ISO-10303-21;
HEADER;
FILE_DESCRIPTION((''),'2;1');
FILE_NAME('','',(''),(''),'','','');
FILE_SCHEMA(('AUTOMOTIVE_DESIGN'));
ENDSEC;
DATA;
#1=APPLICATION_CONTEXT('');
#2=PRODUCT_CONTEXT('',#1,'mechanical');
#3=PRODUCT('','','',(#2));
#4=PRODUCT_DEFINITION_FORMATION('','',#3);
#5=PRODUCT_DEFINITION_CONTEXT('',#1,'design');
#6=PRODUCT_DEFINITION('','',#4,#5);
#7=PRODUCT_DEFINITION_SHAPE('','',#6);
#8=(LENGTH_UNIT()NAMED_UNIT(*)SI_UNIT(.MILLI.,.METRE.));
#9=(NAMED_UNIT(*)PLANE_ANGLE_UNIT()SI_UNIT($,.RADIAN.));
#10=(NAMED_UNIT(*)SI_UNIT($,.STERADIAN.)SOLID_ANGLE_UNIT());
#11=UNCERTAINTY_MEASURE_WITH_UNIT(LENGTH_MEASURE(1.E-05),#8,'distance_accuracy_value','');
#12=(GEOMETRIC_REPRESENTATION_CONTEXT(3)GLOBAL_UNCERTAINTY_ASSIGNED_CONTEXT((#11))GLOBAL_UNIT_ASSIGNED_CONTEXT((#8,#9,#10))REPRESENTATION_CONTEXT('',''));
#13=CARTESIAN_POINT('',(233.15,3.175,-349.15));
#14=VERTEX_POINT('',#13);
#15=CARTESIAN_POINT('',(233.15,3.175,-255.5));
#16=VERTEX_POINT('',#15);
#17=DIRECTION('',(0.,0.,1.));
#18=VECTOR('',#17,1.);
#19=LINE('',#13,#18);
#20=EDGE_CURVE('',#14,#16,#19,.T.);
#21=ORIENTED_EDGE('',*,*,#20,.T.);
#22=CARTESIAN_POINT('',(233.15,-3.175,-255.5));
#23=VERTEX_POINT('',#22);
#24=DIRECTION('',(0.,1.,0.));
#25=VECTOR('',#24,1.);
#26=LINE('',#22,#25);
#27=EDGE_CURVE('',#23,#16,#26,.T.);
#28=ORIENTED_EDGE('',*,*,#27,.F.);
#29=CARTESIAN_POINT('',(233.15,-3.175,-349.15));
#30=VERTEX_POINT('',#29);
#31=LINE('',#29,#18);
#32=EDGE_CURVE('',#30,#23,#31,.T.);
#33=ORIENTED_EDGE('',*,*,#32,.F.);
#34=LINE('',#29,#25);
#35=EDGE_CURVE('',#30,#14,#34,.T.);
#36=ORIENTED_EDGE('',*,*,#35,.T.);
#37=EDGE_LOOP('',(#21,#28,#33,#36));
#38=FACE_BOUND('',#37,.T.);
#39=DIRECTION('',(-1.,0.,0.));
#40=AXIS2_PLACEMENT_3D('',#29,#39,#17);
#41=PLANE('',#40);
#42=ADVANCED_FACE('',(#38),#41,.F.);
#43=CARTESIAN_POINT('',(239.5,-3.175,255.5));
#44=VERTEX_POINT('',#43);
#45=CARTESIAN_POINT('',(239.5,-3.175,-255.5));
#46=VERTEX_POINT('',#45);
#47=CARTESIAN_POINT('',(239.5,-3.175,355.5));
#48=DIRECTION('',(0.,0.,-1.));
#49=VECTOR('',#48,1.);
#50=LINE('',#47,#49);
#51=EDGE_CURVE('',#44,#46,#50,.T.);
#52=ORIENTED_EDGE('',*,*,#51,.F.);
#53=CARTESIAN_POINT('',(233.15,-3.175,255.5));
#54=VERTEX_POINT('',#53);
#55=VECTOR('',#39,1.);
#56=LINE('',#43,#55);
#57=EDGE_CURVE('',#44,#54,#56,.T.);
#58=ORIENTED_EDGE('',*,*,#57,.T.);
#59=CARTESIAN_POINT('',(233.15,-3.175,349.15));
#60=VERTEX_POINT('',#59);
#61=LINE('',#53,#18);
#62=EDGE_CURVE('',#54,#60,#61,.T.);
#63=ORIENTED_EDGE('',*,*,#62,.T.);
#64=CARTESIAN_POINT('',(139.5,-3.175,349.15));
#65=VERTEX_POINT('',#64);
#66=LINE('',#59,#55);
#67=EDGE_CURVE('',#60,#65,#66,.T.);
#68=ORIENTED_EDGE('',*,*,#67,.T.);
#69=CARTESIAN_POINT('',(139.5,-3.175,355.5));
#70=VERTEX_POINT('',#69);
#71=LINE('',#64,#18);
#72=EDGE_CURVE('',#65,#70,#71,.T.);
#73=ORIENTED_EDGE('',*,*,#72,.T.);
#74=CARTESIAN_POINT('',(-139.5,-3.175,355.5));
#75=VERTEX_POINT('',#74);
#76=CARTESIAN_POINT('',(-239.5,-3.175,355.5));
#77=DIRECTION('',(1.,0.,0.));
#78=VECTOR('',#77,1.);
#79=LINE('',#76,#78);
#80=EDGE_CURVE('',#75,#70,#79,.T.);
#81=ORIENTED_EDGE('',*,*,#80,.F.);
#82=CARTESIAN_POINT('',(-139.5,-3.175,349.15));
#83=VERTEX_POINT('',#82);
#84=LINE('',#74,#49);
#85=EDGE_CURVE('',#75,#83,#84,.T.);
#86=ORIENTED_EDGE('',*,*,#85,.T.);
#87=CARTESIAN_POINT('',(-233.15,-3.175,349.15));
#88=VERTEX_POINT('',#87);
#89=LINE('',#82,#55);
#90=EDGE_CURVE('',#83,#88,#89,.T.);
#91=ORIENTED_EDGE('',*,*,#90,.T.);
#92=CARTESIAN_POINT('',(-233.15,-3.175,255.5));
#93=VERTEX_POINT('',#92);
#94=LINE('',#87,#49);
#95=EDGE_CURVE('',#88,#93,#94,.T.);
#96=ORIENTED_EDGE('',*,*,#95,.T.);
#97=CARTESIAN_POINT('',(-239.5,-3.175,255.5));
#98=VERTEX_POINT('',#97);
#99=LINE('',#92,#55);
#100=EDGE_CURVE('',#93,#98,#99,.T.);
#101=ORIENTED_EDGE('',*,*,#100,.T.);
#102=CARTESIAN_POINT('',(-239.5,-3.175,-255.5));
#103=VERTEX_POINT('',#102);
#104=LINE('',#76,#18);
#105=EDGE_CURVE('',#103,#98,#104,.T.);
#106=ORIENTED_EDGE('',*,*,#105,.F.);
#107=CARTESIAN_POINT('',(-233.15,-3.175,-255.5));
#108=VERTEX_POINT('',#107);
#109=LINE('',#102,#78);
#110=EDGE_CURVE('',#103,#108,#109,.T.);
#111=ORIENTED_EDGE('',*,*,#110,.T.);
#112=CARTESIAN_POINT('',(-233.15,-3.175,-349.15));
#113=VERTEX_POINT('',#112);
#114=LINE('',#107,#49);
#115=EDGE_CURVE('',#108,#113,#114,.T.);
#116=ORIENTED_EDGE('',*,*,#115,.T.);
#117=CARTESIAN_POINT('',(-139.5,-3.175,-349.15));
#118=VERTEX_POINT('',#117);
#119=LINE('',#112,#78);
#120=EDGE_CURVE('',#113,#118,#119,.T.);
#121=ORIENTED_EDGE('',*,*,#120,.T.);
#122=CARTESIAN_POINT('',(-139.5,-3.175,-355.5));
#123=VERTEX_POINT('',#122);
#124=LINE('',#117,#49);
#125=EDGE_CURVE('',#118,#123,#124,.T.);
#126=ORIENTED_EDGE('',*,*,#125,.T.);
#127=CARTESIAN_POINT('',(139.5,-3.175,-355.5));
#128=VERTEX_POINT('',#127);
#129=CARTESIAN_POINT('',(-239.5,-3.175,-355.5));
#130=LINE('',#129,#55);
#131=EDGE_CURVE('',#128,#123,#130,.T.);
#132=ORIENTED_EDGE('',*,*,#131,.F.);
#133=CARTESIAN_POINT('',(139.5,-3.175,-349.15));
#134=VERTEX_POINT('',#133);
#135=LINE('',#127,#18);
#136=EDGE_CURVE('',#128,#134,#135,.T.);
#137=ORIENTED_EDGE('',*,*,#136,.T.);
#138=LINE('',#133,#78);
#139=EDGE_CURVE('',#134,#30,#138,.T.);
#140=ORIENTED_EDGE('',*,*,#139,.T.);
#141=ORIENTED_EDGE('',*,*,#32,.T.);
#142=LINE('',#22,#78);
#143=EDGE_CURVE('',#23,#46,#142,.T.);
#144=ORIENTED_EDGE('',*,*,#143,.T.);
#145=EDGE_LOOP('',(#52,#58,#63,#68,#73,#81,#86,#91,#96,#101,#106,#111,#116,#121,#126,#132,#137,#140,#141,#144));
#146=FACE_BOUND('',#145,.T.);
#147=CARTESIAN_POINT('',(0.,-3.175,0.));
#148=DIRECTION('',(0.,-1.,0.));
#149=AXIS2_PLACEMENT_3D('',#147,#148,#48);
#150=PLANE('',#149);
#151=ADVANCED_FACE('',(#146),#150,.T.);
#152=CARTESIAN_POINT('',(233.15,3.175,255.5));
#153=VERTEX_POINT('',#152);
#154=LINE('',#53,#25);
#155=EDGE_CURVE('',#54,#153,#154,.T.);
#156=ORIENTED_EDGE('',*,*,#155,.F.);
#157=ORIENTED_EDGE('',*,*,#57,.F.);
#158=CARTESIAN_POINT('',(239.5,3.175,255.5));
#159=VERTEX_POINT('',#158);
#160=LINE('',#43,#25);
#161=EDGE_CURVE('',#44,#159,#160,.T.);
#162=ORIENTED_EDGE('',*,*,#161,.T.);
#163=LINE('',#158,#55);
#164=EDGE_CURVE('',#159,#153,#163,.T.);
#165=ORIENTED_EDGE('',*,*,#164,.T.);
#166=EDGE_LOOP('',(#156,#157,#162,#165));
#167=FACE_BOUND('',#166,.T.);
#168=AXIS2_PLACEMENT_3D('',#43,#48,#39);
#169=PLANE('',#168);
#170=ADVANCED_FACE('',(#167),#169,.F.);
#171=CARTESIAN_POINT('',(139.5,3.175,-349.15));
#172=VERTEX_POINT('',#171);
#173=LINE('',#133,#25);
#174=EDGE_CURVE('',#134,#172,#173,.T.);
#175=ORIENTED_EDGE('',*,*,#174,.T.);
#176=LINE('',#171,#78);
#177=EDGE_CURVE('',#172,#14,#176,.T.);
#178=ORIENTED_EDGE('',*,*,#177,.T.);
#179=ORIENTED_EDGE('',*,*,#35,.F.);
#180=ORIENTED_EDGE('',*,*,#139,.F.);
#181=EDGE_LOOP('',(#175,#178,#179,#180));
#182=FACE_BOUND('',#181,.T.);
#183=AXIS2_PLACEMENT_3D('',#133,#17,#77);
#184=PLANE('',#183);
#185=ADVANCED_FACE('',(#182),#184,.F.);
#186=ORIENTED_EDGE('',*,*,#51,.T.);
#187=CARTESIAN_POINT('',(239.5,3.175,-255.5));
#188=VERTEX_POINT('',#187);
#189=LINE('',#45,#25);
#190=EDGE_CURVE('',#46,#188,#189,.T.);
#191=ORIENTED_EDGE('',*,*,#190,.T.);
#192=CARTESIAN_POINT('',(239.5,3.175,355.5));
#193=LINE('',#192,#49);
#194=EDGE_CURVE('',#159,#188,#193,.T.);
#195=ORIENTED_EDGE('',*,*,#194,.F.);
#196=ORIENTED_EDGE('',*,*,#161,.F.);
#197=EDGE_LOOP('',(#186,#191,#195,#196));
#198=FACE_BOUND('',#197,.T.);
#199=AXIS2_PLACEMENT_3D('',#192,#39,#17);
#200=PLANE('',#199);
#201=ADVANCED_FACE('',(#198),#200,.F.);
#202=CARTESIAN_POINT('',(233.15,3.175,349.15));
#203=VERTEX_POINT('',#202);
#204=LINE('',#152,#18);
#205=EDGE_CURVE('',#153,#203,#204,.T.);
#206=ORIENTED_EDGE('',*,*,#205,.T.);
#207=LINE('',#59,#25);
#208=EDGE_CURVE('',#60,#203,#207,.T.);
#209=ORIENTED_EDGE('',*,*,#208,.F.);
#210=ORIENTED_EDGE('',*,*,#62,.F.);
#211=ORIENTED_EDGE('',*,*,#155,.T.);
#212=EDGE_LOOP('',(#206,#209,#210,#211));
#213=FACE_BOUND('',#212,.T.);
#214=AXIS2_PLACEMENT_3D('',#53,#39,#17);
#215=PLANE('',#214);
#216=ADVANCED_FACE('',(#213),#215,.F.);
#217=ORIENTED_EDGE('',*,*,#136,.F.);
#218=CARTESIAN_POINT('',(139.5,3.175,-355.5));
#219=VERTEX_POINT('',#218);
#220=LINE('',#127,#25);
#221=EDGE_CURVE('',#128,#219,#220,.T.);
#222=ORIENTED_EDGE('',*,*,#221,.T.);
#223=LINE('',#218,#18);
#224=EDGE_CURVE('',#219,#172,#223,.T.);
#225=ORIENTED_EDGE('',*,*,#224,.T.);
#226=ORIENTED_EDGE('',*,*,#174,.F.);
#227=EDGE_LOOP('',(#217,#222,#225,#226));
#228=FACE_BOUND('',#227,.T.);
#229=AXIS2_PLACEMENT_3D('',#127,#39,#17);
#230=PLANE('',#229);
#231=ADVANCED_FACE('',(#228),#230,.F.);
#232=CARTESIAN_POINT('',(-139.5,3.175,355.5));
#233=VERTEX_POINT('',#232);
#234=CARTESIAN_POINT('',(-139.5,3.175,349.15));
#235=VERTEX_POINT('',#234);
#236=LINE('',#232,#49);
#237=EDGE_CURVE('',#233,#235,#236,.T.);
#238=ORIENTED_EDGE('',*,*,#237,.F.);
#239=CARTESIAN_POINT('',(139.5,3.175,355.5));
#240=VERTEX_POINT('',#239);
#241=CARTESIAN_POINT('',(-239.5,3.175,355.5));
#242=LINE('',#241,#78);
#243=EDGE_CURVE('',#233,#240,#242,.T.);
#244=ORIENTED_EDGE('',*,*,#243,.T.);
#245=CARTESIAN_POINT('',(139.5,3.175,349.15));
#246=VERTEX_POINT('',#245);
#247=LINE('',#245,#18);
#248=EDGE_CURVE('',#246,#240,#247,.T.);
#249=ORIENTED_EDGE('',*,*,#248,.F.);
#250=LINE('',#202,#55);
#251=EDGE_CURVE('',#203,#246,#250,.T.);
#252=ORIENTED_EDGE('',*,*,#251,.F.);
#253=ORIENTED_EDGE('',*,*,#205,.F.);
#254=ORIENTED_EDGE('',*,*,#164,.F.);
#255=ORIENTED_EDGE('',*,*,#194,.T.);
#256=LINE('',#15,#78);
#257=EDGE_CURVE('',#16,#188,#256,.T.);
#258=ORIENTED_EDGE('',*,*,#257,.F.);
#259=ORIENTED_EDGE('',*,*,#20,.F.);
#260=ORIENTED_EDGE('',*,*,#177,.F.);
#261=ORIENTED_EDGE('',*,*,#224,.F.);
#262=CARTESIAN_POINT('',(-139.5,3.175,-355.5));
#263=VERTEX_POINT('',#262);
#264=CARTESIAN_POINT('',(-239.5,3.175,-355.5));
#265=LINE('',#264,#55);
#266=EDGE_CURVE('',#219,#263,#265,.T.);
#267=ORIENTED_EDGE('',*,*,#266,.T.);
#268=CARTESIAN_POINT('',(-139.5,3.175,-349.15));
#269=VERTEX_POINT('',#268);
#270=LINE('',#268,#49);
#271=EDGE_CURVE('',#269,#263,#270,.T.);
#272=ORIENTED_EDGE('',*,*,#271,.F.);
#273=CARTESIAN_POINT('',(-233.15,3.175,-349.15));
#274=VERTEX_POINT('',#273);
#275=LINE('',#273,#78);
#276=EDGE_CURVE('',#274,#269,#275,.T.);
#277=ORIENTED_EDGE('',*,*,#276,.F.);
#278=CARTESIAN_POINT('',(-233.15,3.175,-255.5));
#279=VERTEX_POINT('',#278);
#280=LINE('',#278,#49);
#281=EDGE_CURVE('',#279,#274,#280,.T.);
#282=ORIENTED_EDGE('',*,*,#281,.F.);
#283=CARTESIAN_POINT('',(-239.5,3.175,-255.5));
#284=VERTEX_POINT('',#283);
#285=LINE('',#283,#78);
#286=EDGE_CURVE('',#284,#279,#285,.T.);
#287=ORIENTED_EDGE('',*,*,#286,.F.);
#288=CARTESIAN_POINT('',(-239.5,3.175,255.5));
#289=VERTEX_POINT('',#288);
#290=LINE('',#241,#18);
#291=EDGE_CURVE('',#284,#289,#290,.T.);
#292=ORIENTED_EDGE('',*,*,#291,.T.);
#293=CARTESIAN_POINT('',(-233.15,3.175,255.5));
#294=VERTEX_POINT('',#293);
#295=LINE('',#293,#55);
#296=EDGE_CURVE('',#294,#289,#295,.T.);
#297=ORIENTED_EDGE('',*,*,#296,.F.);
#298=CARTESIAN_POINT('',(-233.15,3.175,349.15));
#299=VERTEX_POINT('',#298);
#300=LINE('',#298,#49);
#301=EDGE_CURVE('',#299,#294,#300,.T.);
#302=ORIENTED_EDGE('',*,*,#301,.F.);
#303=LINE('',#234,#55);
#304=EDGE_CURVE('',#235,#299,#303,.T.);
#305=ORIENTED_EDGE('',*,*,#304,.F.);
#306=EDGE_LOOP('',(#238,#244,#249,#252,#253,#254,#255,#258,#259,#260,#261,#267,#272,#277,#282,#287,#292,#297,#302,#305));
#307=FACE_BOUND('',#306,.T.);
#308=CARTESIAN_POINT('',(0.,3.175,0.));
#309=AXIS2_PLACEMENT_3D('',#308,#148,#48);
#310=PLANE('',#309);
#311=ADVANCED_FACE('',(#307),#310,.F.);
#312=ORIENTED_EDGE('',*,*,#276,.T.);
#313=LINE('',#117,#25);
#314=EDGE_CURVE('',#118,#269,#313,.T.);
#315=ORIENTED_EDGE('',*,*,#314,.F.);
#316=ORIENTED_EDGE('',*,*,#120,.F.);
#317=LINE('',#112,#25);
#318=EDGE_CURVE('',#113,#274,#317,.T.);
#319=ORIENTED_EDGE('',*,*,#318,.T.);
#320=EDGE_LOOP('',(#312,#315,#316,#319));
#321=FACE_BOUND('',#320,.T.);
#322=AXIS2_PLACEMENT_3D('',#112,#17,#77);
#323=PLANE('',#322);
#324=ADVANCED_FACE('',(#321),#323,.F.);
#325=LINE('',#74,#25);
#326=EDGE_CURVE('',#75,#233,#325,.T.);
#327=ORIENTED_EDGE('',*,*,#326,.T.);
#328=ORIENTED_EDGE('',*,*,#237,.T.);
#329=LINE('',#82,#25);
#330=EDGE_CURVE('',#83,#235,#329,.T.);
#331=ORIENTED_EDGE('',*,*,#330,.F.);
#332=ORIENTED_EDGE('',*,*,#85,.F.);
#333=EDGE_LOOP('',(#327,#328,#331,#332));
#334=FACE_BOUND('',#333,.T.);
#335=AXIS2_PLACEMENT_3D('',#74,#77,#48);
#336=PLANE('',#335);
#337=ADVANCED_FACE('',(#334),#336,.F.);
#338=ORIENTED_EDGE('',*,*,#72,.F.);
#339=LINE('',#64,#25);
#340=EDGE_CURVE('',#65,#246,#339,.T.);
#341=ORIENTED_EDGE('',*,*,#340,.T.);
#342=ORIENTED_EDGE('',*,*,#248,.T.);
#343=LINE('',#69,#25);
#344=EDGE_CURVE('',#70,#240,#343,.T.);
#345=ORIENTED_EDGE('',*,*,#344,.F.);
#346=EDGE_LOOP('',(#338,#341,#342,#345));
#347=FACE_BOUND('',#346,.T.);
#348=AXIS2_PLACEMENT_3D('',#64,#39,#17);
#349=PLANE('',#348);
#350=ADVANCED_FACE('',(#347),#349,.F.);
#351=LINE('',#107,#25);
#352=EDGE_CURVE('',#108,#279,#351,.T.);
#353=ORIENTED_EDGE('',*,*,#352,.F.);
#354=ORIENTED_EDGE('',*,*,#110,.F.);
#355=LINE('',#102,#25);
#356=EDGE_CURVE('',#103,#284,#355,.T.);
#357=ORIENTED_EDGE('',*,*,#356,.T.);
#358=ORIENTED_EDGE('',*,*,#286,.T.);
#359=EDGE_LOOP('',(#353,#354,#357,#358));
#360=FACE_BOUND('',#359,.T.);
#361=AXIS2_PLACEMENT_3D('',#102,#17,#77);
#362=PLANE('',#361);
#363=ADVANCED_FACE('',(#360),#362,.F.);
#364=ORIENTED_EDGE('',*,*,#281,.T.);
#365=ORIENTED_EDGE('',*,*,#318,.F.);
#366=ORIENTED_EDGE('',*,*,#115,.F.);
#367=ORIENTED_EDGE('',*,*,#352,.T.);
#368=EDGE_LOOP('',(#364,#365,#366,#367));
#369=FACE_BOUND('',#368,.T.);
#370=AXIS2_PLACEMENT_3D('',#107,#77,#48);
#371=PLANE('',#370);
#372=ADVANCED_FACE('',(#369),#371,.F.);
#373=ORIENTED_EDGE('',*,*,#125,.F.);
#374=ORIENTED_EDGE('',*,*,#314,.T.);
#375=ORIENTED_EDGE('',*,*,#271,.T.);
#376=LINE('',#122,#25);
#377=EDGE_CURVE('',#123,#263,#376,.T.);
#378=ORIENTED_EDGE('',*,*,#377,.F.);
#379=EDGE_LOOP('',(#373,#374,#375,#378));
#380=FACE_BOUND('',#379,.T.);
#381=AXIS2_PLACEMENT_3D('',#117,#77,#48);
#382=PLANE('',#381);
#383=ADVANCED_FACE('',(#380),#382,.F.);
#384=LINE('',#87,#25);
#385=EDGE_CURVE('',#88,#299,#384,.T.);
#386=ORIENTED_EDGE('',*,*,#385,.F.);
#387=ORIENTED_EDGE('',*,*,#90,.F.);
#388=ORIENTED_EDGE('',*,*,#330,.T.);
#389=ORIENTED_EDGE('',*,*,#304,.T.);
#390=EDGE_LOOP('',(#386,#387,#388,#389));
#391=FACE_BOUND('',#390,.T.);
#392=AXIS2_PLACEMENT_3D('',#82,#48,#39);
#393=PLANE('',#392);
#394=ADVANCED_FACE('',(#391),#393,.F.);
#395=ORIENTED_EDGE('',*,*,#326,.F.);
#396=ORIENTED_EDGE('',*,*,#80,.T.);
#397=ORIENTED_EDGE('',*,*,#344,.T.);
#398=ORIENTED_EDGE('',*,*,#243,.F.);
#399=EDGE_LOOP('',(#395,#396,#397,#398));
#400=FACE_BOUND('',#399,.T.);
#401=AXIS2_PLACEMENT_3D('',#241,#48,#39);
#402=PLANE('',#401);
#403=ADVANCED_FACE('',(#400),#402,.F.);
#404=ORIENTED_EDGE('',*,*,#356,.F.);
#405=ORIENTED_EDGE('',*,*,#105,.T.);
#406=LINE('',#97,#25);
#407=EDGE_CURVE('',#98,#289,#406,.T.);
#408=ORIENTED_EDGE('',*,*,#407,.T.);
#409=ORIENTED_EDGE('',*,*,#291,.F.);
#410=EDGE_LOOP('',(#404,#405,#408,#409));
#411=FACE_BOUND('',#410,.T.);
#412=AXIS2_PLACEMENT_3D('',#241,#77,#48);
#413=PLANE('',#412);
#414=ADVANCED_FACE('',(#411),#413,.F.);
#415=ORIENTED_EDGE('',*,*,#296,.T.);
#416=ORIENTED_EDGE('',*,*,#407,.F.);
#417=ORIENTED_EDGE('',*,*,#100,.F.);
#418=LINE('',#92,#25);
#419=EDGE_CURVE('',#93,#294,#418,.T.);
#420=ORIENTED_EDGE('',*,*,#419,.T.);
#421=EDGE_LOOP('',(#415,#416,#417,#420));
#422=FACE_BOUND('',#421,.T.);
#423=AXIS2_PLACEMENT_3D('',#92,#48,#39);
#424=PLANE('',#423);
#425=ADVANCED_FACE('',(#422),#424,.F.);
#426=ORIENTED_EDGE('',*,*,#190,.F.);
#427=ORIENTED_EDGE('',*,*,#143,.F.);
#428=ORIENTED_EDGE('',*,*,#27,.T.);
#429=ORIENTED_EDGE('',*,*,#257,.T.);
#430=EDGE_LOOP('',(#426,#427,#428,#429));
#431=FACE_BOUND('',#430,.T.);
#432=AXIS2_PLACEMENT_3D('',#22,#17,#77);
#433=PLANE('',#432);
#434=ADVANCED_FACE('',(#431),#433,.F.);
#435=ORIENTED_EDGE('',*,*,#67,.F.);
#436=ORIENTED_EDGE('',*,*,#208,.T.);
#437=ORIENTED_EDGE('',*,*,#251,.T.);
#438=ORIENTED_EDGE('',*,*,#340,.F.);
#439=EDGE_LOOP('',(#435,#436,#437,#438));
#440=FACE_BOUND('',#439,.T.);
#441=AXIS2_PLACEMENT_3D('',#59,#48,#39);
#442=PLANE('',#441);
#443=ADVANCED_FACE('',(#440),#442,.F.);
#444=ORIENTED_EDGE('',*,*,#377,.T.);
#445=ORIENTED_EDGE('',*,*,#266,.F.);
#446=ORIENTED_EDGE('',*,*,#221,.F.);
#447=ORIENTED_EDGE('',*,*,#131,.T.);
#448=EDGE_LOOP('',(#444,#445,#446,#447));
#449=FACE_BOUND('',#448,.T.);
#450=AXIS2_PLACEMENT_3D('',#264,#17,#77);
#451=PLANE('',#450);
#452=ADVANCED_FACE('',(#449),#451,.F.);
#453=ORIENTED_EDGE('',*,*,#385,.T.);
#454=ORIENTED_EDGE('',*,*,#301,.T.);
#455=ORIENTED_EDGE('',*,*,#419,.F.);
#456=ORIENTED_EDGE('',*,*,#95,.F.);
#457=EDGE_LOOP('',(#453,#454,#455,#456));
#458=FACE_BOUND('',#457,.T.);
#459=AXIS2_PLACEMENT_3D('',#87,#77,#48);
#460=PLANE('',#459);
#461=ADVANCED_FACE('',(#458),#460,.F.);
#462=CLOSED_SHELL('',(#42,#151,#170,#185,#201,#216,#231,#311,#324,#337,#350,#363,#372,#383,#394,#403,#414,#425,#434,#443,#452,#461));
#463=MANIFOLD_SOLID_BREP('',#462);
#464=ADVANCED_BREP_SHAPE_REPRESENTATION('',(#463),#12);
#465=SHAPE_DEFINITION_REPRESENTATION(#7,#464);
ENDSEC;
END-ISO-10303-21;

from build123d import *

# Parameters (mm, degrees)
SKETCH1_W           = 479
SKETCH1_H           = 711
BOSS_EXTRUDE1_DEPTH = 3.175
CUT_EXTRUDE1_DEPTH  = 429.696655574


with BuildPart() as part:
    # Sketch1 → Boss-Extrude1 (new, symmetric)
    with BuildSketch(Plane(origin=(0, 0, 0), x_dir=(1, 0, 0), z_dir=(0, 1, 0))):
        Rectangle(SKETCH1_W, SKETCH1_H)
    extrude(amount=BOSS_EXTRUDE1_DEPTH, both=True)

    # Sketch2 → Cut-Extrude1 (cut, through all)
    with BuildSketch(Plane(origin=(0, 3.175, 0), x_dir=(1, 0, 0), z_dir=(0, 1, 0))):
        Polygon((-239.5, 355.5), (-239.5, 255.5), (-233.15, 255.5), (-233.15, 349.15), (-139.5, 349.15), (-139.5, 355.5), align=None)
        Polygon((239.5, 355.5), (139.5, 355.5), (139.5, 349.15), (233.15, 349.15), (233.15, 255.5), (239.5, 255.5), align=None)
        Polygon((239.5, -355.5), (239.5, -255.5), (233.15, -255.5), (233.15, -349.15), (139.5, -349.15), (139.5, -355.5), align=None)
        Polygon((-239.5, -355.5), (-139.5, -355.5), (-139.5, -349.15), (-233.15, -349.15), (-233.15, -255.5), (-239.5, -255.5), align=None)
    extrude(amount=-CUT_EXTRUDE1_DEPTH, mode=Mode.SUBTRACT)


solid = part.part
